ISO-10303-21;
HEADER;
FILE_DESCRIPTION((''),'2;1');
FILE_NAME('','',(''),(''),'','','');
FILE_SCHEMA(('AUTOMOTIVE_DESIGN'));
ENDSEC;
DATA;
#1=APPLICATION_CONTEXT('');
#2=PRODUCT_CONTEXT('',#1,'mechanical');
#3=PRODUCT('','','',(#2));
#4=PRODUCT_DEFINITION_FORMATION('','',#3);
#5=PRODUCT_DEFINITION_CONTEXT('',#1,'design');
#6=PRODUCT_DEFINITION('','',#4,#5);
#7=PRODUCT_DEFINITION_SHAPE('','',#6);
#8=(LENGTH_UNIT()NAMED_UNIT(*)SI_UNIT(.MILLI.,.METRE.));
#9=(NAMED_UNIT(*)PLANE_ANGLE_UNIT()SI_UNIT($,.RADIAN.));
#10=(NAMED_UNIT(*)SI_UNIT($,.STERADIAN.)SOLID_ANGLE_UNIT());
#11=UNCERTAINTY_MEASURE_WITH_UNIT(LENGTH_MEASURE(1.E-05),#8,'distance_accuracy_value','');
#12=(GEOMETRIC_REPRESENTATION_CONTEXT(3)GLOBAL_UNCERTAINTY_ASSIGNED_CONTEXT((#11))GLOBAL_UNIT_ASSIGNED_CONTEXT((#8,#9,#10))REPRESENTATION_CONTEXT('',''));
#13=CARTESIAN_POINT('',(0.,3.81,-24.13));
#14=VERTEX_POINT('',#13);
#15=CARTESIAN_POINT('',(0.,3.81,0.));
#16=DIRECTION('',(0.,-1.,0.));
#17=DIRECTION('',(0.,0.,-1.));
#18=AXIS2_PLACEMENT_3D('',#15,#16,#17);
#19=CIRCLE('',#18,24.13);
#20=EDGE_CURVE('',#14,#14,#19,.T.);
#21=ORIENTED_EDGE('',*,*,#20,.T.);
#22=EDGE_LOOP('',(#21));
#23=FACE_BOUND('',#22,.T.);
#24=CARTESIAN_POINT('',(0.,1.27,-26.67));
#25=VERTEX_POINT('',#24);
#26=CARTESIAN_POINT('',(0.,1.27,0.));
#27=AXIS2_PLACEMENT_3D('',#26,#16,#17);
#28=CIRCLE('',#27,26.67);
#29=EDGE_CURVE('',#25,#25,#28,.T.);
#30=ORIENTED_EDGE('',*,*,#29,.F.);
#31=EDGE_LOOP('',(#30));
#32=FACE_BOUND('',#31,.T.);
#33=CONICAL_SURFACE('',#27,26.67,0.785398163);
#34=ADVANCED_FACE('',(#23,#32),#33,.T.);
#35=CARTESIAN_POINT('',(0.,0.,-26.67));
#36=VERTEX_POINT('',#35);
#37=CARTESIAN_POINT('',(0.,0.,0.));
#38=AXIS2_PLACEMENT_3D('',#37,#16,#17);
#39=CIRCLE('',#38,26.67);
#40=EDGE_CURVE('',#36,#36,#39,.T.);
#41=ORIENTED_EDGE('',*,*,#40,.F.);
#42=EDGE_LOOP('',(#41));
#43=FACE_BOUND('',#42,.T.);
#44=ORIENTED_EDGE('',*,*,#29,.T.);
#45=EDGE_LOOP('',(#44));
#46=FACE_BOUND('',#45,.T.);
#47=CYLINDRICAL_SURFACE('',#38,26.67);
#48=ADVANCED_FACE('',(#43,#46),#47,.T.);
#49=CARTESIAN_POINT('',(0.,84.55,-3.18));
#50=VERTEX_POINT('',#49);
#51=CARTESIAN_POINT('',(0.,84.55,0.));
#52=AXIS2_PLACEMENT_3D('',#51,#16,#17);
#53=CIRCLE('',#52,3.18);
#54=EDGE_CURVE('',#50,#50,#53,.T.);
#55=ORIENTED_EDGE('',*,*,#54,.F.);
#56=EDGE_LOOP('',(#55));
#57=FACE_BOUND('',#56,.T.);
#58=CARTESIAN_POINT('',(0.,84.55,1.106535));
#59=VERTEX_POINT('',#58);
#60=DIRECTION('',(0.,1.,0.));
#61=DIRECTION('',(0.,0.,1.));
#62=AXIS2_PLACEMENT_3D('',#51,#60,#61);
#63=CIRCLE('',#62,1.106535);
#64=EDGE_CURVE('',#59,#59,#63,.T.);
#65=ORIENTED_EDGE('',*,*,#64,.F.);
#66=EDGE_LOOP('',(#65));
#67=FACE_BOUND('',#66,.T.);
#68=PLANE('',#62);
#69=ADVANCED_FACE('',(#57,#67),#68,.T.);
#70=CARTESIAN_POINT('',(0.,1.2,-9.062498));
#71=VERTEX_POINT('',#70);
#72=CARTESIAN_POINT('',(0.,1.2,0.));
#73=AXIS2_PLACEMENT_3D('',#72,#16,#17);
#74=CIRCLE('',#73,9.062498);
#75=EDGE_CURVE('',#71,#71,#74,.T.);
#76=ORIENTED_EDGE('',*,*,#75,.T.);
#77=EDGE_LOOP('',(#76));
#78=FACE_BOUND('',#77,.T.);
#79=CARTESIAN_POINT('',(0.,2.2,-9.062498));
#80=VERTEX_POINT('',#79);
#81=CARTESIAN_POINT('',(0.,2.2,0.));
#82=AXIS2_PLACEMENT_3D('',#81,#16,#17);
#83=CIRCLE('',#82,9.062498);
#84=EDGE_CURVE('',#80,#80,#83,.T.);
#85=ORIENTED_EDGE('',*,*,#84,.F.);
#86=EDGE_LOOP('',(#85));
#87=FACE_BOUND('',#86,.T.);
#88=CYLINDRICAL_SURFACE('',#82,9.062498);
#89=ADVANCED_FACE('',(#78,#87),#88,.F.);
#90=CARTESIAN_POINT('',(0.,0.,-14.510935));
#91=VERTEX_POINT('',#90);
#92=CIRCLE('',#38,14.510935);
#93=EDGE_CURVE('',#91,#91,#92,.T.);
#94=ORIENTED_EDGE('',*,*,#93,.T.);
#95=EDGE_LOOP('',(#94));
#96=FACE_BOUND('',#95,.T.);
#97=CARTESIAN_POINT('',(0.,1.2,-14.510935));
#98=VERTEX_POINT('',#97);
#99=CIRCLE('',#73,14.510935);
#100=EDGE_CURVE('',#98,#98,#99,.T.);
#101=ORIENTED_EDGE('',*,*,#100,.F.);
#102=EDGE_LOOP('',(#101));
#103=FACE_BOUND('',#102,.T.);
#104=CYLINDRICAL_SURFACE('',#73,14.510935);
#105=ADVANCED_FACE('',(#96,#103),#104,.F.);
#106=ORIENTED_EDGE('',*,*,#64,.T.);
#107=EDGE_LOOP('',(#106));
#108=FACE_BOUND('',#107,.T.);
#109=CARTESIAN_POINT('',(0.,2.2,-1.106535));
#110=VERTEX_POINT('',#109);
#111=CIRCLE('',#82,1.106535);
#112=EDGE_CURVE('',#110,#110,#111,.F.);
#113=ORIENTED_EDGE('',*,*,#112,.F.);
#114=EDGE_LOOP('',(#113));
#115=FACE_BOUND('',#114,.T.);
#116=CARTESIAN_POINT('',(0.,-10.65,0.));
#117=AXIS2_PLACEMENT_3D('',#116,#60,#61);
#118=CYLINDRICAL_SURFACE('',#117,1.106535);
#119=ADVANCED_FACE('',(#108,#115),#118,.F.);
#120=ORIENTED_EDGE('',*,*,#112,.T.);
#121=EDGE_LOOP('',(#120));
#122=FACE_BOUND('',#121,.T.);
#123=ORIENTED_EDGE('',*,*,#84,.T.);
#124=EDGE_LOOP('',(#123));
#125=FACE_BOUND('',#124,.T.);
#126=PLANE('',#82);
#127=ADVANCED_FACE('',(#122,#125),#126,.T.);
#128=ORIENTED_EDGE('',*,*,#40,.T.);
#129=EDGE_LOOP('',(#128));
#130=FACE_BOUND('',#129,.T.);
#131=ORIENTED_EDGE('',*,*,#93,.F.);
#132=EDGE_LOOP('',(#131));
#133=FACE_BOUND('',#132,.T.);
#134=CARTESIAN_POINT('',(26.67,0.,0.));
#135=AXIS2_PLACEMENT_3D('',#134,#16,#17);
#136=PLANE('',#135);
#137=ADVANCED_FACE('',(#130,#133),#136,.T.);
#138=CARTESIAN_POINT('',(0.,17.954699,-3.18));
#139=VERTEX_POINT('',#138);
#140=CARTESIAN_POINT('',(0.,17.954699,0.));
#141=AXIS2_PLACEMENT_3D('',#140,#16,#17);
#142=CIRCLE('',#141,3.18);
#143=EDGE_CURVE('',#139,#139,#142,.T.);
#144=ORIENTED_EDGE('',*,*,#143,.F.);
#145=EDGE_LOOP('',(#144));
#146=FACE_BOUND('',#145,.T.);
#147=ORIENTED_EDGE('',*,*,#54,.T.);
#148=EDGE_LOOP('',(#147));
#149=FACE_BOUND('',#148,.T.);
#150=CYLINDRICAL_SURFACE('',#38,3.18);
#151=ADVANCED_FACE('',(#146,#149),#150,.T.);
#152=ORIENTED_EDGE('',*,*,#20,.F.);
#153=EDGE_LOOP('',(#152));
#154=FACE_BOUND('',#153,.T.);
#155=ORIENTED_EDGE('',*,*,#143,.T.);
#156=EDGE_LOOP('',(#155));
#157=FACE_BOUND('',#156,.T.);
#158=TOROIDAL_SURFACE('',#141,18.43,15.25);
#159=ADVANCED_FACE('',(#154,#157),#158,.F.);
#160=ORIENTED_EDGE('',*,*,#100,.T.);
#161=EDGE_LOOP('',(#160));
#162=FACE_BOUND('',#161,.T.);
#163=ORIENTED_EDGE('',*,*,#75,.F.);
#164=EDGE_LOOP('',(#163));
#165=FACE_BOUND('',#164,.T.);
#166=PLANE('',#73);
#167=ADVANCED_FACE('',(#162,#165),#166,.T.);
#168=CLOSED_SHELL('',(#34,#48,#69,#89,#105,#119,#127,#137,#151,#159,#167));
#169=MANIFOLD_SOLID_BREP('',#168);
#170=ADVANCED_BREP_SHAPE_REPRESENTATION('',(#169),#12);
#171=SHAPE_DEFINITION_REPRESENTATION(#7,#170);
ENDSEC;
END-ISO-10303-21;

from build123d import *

# Parameters (mm, degrees)
SKETCH2_R          = 14.510934511
CUT_EXTRUDE1_DEPTH = 1.2
SKETCH3_R          = 1.106535356
CUT_EXTRUDE2_DEPTH = 95.2
SKETCH4_R          = 9.062497532
CUT_EXTRUDE3_DEPTH = 1


with BuildPart() as part:
    # Sketch1 → Revolve1 (revolve)
    with BuildSketch(Plane.XY, mode=Mode.PRIVATE) as revolve1_sk:
        with BuildLine():
            Line((0, 0), (0, 84.55))
            Line((0, 84.55), (3.18, 84.55))
            Line((3.18, 84.55), (3.18, 17.954698654))
            ThreePointArc((3.18, 17.954698654), (9.896609701, 5.315721242), (24.13, 3.81))
            Line((24.13, 3.81), (26.67, 1.27))
            Line((26.67, 1.27), (26.67, 0))
            Line((26.67, 0), (0, 0))
        make_face()
    revolve(revolve1_sk.sketch.rotate(Axis((0, 0, 0), (0, 1, 0)), 90), axis=Axis((0, 0, 0), (0, 1, 0)))

    # Sketch2 → Cut-Extrude1 (cut)
    with BuildSketch(Plane.XZ):
        with Locations(Location((0, 0, 0), (0, 0, 270))):
            Circle(SKETCH2_R)
    extrude(amount=-CUT_EXTRUDE1_DEPTH, mode=Mode.SUBTRACT)

    # Sketch3 → Cut-Extrude2 (cut)
    with BuildSketch(Plane(origin=(0, 84.55, 0), x_dir=(1, 0, 0), z_dir=(0, 1, 0))):
        with Locations(Location((0, 0, 0), (0, 0, 270))):
            Circle(SKETCH3_R)
    extrude(amount=-CUT_EXTRUDE2_DEPTH, mode=Mode.SUBTRACT)

    # Sketch4 → Cut-Extrude3 (cut)
    with BuildSketch(Plane.XZ.offset(-1.2)):
        with Locations(Location((0, 0, 0), (0, 0, 270))):
            Circle(SKETCH4_R)
    extrude(amount=-CUT_EXTRUDE3_DEPTH, mode=Mode.SUBTRACT)


solid = part.part
